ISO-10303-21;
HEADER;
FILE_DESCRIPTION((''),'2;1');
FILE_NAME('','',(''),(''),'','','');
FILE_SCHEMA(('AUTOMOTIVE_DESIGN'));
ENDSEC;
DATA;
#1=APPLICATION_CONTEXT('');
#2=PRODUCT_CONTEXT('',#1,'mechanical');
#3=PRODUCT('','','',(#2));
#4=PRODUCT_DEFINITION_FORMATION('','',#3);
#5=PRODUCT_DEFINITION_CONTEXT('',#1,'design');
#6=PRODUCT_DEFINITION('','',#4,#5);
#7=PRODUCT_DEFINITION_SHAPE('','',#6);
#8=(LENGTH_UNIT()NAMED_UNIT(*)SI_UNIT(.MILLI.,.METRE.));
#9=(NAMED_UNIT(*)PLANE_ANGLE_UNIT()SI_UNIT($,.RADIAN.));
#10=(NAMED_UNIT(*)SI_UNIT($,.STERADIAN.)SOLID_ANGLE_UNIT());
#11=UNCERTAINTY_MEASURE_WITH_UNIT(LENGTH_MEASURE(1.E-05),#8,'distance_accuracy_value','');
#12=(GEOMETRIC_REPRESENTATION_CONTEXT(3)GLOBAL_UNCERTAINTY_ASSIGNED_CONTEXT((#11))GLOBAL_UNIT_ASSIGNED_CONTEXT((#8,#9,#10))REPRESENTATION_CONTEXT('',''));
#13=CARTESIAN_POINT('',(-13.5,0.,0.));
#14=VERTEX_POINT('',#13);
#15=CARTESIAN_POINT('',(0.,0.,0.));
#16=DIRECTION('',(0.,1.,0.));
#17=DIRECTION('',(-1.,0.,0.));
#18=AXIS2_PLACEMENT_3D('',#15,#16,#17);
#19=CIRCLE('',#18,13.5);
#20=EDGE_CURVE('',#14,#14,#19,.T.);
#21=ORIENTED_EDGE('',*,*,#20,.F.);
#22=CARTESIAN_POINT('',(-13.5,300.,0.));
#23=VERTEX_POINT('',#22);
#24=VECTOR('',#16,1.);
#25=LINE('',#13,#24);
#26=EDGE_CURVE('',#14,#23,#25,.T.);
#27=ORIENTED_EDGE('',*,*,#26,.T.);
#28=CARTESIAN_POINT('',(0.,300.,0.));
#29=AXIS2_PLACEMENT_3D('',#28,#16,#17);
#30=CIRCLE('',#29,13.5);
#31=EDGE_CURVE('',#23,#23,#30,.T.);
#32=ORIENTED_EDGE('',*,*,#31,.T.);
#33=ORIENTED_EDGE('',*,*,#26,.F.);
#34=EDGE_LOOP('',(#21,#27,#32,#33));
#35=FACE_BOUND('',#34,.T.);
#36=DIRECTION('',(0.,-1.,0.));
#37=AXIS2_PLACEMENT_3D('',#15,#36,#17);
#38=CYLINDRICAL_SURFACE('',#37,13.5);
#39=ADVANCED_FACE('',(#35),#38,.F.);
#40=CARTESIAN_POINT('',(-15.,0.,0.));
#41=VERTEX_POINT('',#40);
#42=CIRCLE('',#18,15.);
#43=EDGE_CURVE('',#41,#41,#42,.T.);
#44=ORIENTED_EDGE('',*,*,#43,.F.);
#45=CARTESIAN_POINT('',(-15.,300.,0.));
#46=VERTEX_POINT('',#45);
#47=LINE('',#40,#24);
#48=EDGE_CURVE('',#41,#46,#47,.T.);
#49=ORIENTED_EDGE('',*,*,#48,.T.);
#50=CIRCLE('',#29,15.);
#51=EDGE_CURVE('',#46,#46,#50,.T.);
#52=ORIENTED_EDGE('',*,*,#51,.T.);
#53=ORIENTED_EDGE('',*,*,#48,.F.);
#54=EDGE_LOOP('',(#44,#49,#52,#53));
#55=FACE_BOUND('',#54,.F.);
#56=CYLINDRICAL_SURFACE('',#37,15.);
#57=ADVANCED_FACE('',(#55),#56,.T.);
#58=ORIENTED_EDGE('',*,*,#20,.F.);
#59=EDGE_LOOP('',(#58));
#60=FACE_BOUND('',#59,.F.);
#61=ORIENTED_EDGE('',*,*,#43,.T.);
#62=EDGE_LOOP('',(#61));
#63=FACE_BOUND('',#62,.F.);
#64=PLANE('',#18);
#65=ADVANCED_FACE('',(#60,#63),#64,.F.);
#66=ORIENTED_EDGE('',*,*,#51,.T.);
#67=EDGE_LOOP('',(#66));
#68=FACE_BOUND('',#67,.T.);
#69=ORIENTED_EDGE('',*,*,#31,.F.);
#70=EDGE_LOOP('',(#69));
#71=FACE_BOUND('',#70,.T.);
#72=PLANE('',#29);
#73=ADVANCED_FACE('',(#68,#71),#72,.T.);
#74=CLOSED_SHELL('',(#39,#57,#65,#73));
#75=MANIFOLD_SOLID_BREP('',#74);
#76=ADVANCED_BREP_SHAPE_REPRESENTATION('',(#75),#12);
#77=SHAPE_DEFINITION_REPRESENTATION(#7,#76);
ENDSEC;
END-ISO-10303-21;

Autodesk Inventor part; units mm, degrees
ref_plane "YZ Plane" through (0, 0, 0) normal (1, 0, 0) x (0, 1, 0)
ref_plane "XZ Plane" through (0, 0, 0) normal (0, 1, 0) x (-1, 0, 0)
ref_plane "XY Plane" through (0, 0, 0) normal (0, 0, 1) x (1, 0, 0)
sketch "Sketch1" plane through (0, 0, 0) normal (0, 1, 0) x (-1, 0, 0)
  circle A0 centre (0, 0) radius 15
  circle A1 centre (0, 0) radius 13.5
  dimension "d0" = 30
  dimension "d1" = 27
extrude "Extrusion1" add sketch "Sketch1" along normal blind 300
properties part number "carbon_fiber_30_27_300"
